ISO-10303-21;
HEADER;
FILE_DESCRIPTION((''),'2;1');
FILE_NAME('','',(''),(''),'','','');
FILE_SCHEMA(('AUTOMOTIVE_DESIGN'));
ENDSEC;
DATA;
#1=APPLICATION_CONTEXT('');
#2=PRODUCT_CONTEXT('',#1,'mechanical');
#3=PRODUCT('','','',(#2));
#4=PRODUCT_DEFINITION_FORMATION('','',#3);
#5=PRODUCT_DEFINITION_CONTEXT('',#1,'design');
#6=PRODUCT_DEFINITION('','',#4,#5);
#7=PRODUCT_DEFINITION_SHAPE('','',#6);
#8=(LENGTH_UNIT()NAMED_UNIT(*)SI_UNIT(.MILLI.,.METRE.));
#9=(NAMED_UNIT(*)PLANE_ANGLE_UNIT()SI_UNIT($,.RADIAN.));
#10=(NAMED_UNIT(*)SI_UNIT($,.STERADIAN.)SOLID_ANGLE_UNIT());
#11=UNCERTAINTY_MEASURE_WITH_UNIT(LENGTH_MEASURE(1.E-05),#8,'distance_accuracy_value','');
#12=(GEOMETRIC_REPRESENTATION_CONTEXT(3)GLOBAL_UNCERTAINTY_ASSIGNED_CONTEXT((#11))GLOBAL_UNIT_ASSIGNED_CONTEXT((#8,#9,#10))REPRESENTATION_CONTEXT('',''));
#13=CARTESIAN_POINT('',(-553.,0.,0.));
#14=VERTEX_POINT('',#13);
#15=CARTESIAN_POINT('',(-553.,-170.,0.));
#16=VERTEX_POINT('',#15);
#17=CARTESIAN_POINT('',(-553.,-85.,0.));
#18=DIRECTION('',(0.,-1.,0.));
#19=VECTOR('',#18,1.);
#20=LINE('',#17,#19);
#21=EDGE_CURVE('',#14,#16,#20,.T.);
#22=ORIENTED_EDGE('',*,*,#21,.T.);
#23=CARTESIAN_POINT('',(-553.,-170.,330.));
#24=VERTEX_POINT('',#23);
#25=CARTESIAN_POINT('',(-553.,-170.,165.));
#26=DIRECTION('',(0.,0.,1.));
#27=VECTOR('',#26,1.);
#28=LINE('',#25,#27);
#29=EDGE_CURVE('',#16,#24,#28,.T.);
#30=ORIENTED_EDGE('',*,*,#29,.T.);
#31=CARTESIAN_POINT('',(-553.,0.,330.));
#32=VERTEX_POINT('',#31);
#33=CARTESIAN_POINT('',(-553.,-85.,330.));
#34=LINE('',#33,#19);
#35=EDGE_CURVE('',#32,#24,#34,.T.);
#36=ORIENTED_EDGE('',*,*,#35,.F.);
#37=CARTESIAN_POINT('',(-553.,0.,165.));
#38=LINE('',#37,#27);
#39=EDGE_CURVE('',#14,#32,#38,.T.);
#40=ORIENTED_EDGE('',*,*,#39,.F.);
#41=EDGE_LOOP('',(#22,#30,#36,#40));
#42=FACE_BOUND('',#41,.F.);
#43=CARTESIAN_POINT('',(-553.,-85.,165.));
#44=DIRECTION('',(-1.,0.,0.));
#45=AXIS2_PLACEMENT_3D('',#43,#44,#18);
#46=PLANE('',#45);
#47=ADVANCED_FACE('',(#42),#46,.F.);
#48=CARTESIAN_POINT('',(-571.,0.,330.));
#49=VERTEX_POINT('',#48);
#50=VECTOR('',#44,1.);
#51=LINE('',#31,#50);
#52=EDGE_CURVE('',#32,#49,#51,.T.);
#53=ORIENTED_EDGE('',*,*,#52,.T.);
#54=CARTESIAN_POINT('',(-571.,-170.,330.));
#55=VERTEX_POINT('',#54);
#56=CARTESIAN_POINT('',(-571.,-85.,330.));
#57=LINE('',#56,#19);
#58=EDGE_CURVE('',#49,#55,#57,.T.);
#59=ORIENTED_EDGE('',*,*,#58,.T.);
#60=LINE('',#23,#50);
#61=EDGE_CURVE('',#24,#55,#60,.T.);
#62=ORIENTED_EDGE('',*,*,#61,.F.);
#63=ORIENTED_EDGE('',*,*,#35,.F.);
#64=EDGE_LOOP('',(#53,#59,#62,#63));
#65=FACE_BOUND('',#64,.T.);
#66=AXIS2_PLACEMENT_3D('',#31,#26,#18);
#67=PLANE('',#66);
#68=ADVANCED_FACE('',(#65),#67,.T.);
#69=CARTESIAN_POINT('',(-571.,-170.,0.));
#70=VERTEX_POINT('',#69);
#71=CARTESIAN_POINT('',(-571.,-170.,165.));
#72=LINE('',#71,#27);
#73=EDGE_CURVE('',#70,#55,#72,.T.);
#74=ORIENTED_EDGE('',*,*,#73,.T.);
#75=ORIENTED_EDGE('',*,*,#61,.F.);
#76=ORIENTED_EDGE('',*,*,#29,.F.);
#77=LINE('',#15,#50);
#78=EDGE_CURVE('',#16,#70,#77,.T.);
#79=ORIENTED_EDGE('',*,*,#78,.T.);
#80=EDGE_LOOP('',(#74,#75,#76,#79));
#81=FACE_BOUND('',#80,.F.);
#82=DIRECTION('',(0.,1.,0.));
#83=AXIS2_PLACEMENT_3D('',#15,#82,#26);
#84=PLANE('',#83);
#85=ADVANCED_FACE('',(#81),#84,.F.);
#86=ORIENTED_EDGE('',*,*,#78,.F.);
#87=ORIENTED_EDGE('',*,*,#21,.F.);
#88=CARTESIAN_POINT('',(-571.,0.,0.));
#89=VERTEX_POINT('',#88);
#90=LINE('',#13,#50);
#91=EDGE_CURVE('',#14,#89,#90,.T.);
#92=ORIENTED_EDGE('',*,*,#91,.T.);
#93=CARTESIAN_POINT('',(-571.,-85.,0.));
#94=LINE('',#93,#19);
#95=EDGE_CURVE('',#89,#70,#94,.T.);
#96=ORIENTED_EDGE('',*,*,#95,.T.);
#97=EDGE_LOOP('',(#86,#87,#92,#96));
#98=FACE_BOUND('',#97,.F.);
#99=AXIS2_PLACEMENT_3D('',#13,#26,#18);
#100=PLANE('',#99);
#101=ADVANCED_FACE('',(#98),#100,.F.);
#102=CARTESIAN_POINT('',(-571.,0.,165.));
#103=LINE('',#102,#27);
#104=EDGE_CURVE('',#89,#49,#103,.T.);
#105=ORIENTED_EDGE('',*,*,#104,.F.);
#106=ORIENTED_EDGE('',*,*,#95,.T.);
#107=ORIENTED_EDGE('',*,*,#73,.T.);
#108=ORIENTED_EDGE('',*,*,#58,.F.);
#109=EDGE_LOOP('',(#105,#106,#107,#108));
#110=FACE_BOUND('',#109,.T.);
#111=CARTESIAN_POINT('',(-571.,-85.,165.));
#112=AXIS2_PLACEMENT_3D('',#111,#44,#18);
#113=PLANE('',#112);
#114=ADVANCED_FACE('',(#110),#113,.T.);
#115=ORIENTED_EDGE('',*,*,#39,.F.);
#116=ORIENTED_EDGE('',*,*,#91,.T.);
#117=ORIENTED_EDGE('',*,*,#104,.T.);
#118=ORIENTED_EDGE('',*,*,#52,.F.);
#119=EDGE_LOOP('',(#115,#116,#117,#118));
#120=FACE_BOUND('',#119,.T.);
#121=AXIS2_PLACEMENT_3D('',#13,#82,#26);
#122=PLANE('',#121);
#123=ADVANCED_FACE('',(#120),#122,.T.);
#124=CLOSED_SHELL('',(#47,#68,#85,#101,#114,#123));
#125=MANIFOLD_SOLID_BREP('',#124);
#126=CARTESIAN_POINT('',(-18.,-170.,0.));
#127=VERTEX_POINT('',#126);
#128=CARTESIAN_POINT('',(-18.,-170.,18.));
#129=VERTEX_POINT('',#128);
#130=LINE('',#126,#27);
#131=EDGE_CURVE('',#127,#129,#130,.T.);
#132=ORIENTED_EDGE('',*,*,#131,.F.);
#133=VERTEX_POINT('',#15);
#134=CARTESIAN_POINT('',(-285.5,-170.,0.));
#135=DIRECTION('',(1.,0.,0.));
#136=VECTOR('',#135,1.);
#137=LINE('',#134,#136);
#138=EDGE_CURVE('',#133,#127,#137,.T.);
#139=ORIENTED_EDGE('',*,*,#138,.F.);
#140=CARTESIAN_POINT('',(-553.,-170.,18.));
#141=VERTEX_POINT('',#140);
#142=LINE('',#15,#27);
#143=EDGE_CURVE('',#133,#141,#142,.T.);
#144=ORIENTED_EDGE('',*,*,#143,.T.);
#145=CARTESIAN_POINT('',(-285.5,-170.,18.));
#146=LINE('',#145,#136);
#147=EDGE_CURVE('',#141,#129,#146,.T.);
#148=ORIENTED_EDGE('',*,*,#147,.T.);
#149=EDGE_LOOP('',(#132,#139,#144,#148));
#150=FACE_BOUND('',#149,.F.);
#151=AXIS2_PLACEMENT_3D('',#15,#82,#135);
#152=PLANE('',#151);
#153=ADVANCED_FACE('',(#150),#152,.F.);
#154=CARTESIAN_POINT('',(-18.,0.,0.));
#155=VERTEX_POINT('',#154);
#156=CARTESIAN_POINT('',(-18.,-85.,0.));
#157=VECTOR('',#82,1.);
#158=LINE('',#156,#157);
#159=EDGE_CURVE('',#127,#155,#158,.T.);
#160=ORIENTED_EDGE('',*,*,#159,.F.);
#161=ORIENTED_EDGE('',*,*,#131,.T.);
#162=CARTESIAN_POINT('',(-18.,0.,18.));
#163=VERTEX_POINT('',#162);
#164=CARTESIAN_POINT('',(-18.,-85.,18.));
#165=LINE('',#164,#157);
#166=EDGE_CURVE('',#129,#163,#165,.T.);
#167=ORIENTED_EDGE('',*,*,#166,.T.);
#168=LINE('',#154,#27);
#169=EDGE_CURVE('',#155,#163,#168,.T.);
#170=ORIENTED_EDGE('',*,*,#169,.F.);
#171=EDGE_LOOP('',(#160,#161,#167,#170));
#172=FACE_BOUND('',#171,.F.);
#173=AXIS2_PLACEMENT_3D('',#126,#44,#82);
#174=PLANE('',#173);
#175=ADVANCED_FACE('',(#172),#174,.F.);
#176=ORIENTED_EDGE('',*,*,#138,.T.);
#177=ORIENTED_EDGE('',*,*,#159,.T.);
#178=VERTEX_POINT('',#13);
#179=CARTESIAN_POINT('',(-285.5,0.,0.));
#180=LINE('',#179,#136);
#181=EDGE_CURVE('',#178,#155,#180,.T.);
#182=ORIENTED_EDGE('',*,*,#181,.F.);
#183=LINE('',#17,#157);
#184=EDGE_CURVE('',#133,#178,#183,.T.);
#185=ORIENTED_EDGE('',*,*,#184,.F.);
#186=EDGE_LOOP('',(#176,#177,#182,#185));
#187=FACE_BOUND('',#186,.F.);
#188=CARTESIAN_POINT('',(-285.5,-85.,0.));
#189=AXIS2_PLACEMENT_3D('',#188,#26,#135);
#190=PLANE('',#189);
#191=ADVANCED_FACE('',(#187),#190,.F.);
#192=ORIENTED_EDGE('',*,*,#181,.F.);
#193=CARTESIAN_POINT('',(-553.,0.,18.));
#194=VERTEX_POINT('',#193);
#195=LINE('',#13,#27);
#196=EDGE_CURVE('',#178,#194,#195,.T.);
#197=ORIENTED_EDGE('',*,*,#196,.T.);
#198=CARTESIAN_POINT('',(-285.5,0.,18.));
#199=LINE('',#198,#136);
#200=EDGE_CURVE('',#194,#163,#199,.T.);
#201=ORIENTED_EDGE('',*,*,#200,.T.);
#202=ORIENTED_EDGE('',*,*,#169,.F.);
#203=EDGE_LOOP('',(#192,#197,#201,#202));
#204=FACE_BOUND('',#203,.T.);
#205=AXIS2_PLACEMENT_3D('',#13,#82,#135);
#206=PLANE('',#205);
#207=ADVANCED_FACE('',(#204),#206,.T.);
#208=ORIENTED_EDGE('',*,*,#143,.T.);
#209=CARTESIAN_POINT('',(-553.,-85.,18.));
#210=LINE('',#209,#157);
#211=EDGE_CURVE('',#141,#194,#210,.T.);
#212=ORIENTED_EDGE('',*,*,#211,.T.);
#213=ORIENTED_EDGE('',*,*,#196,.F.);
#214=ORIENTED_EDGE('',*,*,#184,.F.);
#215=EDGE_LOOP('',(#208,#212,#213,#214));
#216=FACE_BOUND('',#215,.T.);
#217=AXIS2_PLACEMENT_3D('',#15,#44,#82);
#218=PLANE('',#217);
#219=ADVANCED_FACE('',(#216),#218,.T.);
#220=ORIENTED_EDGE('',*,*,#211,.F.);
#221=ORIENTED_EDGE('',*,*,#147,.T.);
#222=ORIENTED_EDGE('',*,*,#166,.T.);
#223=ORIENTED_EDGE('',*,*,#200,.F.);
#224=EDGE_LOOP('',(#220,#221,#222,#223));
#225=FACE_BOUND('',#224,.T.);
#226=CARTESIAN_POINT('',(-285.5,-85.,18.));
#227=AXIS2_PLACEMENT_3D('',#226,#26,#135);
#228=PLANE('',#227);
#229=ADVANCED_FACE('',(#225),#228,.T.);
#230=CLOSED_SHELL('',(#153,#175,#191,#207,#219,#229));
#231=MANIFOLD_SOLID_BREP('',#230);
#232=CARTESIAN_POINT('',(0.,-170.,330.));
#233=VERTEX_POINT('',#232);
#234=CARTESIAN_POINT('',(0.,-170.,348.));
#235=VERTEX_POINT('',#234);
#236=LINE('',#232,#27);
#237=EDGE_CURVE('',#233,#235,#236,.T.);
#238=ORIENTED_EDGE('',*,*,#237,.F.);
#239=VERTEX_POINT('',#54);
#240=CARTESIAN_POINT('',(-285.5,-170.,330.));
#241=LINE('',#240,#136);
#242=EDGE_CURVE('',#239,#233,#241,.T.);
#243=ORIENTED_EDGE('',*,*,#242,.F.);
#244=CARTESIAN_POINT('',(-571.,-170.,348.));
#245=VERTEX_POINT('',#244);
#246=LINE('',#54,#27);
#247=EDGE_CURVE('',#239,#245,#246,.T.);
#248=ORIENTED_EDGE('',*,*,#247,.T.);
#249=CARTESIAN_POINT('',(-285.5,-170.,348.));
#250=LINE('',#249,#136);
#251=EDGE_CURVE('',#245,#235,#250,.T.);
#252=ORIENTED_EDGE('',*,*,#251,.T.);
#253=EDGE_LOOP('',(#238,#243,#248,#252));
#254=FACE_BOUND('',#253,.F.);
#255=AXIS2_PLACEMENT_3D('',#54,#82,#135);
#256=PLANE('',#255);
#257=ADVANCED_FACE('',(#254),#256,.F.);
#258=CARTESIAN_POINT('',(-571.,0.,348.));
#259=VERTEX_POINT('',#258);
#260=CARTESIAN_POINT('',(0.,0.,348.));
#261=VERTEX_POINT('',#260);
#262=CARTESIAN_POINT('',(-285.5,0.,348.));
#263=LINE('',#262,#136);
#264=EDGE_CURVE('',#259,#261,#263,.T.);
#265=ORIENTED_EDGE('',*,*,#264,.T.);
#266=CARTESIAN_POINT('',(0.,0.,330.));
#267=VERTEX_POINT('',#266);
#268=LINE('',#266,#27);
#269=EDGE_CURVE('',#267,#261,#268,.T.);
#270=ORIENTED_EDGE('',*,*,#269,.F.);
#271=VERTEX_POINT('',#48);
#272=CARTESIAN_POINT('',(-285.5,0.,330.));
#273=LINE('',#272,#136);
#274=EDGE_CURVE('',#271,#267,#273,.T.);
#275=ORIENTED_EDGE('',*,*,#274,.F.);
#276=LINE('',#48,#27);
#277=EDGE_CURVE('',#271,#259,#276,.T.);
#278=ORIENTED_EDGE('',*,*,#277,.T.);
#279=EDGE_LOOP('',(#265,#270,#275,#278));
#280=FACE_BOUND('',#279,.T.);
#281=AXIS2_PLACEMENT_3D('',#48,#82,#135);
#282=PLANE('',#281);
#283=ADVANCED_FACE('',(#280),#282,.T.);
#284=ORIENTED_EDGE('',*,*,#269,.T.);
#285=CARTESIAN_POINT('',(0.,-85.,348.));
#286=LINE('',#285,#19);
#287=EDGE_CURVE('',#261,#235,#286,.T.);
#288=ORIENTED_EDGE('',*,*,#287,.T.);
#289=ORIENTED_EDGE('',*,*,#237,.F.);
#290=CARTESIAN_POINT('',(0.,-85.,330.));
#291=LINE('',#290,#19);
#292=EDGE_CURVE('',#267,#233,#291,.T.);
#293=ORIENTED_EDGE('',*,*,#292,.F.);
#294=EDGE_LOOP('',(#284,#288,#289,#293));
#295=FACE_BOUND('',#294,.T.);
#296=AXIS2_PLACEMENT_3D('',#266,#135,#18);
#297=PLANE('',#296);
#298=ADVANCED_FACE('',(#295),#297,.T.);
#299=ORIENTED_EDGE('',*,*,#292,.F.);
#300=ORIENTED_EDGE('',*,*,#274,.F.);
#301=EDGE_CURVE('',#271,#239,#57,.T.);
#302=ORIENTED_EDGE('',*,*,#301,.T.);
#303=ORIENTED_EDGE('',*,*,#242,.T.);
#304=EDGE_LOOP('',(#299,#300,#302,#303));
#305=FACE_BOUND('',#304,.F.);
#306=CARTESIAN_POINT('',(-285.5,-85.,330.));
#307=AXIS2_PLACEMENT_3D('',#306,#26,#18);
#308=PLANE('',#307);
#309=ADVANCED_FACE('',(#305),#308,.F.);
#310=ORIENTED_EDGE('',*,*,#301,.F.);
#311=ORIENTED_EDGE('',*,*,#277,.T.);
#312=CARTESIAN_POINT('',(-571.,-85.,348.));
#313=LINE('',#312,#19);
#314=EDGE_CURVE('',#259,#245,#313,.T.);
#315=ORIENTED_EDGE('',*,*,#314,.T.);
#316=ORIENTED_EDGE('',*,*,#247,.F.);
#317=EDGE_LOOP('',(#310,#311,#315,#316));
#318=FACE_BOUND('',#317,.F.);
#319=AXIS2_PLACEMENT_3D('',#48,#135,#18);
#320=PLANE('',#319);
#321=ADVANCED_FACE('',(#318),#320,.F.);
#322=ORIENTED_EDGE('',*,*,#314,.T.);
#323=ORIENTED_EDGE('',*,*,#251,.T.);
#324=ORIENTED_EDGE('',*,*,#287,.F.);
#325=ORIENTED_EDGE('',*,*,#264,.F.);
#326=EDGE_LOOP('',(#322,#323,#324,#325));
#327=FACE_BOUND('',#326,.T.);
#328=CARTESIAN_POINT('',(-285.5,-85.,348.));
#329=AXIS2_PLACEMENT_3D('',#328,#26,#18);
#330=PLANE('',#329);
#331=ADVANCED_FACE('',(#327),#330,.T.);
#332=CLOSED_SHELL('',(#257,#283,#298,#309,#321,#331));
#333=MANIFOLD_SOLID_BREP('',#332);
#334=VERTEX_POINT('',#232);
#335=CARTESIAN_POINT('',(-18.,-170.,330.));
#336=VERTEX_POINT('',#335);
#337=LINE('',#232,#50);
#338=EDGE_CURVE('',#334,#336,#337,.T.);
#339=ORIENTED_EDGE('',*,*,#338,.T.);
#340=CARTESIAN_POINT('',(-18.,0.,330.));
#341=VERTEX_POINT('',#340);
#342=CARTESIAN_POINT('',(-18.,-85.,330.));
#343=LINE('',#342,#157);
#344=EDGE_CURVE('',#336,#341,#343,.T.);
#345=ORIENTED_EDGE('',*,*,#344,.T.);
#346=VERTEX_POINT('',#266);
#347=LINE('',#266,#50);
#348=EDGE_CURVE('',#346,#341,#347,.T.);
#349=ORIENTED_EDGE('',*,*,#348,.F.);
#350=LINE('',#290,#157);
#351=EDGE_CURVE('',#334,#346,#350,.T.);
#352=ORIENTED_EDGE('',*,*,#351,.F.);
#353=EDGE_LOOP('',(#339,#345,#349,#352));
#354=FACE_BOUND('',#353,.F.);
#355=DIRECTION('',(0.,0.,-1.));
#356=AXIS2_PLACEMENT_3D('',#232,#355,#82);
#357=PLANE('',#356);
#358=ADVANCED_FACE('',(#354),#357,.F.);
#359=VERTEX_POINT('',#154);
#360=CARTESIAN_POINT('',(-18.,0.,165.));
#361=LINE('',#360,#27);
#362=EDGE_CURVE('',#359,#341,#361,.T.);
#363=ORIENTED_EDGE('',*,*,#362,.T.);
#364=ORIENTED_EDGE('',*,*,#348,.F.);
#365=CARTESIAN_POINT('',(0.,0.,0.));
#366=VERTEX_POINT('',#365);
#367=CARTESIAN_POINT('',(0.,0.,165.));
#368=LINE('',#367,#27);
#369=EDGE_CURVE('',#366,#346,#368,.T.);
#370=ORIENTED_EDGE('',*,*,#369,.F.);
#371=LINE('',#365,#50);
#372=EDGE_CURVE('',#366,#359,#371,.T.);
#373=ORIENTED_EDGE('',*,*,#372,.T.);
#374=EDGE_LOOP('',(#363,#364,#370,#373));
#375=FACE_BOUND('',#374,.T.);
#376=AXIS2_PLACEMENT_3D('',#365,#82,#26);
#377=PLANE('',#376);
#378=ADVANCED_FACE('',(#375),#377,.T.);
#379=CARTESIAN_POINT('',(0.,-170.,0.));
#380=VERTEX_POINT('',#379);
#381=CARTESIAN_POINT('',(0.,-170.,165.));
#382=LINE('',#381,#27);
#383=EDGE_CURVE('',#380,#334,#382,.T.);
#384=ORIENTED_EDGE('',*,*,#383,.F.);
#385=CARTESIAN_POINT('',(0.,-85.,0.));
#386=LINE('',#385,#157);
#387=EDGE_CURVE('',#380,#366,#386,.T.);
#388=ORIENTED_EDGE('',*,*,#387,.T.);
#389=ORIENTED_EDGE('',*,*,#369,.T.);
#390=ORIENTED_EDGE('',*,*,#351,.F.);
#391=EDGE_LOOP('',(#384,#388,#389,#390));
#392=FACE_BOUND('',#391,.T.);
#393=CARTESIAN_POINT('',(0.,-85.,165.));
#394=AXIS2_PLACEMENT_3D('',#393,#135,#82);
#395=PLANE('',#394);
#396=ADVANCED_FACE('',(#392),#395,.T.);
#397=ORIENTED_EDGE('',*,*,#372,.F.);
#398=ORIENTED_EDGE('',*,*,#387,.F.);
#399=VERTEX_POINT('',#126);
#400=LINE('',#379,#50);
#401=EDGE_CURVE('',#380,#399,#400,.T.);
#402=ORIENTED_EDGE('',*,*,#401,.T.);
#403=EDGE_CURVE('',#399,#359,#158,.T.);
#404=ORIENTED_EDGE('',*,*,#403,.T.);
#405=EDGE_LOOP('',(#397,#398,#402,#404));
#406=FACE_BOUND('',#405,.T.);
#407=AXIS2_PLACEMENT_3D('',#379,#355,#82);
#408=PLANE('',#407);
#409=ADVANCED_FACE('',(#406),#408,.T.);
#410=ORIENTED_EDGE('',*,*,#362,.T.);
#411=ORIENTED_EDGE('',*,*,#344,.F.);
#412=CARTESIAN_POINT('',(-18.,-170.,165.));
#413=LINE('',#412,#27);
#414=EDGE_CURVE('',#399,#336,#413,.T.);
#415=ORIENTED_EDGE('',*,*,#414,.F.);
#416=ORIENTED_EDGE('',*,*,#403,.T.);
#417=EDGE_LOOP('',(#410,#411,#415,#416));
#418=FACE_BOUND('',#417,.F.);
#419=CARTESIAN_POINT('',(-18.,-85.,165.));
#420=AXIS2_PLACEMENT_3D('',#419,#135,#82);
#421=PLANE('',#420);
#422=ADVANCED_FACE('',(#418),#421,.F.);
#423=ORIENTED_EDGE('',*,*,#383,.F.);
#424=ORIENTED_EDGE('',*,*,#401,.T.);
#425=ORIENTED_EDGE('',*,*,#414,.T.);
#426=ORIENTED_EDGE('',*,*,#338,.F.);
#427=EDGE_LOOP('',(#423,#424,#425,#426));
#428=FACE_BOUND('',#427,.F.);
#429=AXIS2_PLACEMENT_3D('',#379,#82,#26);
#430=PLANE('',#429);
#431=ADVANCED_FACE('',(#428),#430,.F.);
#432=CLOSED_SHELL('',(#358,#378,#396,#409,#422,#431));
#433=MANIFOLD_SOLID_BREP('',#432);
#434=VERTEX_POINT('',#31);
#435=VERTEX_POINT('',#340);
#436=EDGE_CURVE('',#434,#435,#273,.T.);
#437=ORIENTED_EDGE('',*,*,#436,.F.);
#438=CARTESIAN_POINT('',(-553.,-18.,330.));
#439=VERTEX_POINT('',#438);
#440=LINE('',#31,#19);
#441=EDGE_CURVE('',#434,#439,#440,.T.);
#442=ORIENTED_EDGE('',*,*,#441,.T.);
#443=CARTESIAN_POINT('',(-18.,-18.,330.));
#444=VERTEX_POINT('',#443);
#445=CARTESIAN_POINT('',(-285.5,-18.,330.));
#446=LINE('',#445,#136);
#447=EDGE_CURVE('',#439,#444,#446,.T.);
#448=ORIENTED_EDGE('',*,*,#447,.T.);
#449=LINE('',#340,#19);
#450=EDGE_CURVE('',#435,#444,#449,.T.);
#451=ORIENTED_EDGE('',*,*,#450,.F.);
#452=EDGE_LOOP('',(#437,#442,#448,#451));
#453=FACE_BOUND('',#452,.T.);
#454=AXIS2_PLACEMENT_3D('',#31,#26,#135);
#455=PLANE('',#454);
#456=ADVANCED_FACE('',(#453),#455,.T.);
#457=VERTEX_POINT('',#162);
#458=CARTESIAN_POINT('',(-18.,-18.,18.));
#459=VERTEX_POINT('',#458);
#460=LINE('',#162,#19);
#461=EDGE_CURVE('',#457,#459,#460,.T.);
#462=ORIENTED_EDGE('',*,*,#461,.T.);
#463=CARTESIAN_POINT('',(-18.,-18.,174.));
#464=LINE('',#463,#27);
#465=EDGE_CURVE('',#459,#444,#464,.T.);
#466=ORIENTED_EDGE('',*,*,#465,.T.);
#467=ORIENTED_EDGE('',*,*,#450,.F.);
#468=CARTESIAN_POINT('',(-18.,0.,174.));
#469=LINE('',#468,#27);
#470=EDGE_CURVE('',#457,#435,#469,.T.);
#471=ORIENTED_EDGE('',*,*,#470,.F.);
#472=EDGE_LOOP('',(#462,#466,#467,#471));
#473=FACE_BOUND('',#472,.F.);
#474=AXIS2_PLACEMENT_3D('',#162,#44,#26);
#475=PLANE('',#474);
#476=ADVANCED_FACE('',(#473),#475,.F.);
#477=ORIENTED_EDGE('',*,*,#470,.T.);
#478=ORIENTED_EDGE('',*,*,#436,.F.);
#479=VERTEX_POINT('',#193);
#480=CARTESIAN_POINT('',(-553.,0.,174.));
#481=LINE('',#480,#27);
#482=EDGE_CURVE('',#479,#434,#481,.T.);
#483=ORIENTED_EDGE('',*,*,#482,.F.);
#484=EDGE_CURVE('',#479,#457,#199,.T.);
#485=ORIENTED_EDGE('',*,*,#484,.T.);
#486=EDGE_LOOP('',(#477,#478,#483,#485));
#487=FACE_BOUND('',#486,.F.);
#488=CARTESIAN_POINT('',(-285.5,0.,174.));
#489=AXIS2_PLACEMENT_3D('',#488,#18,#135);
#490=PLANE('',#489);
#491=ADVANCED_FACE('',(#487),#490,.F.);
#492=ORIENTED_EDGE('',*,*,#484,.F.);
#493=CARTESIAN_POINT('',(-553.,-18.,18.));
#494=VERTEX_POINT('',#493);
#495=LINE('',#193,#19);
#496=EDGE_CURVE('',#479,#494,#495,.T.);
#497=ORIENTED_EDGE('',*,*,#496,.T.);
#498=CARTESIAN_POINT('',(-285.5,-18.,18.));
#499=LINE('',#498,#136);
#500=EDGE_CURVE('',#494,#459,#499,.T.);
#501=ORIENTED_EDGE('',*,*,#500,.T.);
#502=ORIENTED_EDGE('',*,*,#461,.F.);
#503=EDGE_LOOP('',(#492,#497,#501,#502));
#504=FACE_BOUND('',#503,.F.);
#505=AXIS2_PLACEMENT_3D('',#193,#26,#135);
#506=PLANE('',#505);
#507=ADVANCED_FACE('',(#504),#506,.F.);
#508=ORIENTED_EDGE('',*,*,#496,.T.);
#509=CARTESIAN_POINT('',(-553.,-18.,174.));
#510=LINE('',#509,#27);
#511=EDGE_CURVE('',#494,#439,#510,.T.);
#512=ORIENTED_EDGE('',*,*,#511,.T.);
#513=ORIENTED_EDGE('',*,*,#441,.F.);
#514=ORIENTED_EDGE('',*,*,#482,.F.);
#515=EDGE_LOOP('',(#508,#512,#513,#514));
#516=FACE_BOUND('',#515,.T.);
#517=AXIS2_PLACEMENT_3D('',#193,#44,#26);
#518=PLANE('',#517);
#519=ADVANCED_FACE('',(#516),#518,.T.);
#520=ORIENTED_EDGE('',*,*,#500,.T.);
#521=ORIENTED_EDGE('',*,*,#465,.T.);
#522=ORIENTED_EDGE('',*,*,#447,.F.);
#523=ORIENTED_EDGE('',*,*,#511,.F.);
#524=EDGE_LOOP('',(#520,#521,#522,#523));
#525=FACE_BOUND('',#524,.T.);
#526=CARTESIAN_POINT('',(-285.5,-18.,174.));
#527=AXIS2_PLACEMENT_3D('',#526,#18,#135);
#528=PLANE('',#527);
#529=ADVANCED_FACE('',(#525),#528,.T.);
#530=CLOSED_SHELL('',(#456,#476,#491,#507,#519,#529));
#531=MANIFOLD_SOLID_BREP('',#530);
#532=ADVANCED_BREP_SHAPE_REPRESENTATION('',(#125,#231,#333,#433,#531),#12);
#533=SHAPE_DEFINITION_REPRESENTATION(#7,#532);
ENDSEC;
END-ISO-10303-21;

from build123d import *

# Parameters (mm, degrees)
SKETCH_W     = 535
SKETCH_H     = 312
PAD_DEPTH    = 18
SKETCH001_W  = 535
SKETCH001_H  = 170
PAD001_DEPTH = 18
SKETCH002_W  = 170
SKETCH002_H  = 330
PAD002_DEPTH = 18
SKETCH003_W  = 170
SKETCH003_H  = 330
PAD003_DEPTH = 18
SKETCH004_W  = 170
SKETCH004_H  = 571
PAD004_DEPTH = 18


with BuildPart() as backplate:
    # Sketch → Pad (new body)
    with BuildSketch(Plane.XZ):
        with Locations((-285.5, 174)):
            Rectangle(SKETCH_W, SKETCH_H)
    extrude(amount=PAD_DEPTH)


with BuildPart() as bottomplate:
    # Sketch001 → Pad001 (new body)
    with BuildSketch(Plane.XY):
        with Locations((-285.5, -85)):
            Rectangle(SKETCH001_W, SKETCH001_H)
    extrude(amount=PAD001_DEPTH)


with BuildPart() as rightplate:
    # Sketch002 → Pad002 (new body)
    with BuildSketch(Plane.YZ):
        with Locations((-85, 165)):
            Rectangle(SKETCH002_W, SKETCH002_H)
    extrude(amount=-PAD002_DEPTH)


with BuildPart() as leftplate:
    # Sketch003 (on Face1 of ShapeBinder002) → Pad003 (new body)
    with BuildSketch(Plane(origin=(-553, 0, 0), x_dir=(0, -1, 0), z_dir=(-1, 0, 0))):
        with Locations((85, 165)):
            Rectangle(SKETCH003_W, SKETCH003_H)
    extrude(amount=PAD003_DEPTH)


with BuildPart() as topplate:
    # Sketch004 (on Face1 of ShapeBinder003) → Pad004 (new body)
    with BuildSketch(Plane(origin=(0, 0, 330), x_dir=(0, -1, 0), z_dir=(0, 0, 1))):
        with Locations((85, -285.5)):
            Rectangle(SKETCH004_W, SKETCH004_H)
    extrude(amount=PAD004_DEPTH)


solid = Compound([backplate.part, bottomplate.part, rightplate.part, leftplate.part, topplate.part])
